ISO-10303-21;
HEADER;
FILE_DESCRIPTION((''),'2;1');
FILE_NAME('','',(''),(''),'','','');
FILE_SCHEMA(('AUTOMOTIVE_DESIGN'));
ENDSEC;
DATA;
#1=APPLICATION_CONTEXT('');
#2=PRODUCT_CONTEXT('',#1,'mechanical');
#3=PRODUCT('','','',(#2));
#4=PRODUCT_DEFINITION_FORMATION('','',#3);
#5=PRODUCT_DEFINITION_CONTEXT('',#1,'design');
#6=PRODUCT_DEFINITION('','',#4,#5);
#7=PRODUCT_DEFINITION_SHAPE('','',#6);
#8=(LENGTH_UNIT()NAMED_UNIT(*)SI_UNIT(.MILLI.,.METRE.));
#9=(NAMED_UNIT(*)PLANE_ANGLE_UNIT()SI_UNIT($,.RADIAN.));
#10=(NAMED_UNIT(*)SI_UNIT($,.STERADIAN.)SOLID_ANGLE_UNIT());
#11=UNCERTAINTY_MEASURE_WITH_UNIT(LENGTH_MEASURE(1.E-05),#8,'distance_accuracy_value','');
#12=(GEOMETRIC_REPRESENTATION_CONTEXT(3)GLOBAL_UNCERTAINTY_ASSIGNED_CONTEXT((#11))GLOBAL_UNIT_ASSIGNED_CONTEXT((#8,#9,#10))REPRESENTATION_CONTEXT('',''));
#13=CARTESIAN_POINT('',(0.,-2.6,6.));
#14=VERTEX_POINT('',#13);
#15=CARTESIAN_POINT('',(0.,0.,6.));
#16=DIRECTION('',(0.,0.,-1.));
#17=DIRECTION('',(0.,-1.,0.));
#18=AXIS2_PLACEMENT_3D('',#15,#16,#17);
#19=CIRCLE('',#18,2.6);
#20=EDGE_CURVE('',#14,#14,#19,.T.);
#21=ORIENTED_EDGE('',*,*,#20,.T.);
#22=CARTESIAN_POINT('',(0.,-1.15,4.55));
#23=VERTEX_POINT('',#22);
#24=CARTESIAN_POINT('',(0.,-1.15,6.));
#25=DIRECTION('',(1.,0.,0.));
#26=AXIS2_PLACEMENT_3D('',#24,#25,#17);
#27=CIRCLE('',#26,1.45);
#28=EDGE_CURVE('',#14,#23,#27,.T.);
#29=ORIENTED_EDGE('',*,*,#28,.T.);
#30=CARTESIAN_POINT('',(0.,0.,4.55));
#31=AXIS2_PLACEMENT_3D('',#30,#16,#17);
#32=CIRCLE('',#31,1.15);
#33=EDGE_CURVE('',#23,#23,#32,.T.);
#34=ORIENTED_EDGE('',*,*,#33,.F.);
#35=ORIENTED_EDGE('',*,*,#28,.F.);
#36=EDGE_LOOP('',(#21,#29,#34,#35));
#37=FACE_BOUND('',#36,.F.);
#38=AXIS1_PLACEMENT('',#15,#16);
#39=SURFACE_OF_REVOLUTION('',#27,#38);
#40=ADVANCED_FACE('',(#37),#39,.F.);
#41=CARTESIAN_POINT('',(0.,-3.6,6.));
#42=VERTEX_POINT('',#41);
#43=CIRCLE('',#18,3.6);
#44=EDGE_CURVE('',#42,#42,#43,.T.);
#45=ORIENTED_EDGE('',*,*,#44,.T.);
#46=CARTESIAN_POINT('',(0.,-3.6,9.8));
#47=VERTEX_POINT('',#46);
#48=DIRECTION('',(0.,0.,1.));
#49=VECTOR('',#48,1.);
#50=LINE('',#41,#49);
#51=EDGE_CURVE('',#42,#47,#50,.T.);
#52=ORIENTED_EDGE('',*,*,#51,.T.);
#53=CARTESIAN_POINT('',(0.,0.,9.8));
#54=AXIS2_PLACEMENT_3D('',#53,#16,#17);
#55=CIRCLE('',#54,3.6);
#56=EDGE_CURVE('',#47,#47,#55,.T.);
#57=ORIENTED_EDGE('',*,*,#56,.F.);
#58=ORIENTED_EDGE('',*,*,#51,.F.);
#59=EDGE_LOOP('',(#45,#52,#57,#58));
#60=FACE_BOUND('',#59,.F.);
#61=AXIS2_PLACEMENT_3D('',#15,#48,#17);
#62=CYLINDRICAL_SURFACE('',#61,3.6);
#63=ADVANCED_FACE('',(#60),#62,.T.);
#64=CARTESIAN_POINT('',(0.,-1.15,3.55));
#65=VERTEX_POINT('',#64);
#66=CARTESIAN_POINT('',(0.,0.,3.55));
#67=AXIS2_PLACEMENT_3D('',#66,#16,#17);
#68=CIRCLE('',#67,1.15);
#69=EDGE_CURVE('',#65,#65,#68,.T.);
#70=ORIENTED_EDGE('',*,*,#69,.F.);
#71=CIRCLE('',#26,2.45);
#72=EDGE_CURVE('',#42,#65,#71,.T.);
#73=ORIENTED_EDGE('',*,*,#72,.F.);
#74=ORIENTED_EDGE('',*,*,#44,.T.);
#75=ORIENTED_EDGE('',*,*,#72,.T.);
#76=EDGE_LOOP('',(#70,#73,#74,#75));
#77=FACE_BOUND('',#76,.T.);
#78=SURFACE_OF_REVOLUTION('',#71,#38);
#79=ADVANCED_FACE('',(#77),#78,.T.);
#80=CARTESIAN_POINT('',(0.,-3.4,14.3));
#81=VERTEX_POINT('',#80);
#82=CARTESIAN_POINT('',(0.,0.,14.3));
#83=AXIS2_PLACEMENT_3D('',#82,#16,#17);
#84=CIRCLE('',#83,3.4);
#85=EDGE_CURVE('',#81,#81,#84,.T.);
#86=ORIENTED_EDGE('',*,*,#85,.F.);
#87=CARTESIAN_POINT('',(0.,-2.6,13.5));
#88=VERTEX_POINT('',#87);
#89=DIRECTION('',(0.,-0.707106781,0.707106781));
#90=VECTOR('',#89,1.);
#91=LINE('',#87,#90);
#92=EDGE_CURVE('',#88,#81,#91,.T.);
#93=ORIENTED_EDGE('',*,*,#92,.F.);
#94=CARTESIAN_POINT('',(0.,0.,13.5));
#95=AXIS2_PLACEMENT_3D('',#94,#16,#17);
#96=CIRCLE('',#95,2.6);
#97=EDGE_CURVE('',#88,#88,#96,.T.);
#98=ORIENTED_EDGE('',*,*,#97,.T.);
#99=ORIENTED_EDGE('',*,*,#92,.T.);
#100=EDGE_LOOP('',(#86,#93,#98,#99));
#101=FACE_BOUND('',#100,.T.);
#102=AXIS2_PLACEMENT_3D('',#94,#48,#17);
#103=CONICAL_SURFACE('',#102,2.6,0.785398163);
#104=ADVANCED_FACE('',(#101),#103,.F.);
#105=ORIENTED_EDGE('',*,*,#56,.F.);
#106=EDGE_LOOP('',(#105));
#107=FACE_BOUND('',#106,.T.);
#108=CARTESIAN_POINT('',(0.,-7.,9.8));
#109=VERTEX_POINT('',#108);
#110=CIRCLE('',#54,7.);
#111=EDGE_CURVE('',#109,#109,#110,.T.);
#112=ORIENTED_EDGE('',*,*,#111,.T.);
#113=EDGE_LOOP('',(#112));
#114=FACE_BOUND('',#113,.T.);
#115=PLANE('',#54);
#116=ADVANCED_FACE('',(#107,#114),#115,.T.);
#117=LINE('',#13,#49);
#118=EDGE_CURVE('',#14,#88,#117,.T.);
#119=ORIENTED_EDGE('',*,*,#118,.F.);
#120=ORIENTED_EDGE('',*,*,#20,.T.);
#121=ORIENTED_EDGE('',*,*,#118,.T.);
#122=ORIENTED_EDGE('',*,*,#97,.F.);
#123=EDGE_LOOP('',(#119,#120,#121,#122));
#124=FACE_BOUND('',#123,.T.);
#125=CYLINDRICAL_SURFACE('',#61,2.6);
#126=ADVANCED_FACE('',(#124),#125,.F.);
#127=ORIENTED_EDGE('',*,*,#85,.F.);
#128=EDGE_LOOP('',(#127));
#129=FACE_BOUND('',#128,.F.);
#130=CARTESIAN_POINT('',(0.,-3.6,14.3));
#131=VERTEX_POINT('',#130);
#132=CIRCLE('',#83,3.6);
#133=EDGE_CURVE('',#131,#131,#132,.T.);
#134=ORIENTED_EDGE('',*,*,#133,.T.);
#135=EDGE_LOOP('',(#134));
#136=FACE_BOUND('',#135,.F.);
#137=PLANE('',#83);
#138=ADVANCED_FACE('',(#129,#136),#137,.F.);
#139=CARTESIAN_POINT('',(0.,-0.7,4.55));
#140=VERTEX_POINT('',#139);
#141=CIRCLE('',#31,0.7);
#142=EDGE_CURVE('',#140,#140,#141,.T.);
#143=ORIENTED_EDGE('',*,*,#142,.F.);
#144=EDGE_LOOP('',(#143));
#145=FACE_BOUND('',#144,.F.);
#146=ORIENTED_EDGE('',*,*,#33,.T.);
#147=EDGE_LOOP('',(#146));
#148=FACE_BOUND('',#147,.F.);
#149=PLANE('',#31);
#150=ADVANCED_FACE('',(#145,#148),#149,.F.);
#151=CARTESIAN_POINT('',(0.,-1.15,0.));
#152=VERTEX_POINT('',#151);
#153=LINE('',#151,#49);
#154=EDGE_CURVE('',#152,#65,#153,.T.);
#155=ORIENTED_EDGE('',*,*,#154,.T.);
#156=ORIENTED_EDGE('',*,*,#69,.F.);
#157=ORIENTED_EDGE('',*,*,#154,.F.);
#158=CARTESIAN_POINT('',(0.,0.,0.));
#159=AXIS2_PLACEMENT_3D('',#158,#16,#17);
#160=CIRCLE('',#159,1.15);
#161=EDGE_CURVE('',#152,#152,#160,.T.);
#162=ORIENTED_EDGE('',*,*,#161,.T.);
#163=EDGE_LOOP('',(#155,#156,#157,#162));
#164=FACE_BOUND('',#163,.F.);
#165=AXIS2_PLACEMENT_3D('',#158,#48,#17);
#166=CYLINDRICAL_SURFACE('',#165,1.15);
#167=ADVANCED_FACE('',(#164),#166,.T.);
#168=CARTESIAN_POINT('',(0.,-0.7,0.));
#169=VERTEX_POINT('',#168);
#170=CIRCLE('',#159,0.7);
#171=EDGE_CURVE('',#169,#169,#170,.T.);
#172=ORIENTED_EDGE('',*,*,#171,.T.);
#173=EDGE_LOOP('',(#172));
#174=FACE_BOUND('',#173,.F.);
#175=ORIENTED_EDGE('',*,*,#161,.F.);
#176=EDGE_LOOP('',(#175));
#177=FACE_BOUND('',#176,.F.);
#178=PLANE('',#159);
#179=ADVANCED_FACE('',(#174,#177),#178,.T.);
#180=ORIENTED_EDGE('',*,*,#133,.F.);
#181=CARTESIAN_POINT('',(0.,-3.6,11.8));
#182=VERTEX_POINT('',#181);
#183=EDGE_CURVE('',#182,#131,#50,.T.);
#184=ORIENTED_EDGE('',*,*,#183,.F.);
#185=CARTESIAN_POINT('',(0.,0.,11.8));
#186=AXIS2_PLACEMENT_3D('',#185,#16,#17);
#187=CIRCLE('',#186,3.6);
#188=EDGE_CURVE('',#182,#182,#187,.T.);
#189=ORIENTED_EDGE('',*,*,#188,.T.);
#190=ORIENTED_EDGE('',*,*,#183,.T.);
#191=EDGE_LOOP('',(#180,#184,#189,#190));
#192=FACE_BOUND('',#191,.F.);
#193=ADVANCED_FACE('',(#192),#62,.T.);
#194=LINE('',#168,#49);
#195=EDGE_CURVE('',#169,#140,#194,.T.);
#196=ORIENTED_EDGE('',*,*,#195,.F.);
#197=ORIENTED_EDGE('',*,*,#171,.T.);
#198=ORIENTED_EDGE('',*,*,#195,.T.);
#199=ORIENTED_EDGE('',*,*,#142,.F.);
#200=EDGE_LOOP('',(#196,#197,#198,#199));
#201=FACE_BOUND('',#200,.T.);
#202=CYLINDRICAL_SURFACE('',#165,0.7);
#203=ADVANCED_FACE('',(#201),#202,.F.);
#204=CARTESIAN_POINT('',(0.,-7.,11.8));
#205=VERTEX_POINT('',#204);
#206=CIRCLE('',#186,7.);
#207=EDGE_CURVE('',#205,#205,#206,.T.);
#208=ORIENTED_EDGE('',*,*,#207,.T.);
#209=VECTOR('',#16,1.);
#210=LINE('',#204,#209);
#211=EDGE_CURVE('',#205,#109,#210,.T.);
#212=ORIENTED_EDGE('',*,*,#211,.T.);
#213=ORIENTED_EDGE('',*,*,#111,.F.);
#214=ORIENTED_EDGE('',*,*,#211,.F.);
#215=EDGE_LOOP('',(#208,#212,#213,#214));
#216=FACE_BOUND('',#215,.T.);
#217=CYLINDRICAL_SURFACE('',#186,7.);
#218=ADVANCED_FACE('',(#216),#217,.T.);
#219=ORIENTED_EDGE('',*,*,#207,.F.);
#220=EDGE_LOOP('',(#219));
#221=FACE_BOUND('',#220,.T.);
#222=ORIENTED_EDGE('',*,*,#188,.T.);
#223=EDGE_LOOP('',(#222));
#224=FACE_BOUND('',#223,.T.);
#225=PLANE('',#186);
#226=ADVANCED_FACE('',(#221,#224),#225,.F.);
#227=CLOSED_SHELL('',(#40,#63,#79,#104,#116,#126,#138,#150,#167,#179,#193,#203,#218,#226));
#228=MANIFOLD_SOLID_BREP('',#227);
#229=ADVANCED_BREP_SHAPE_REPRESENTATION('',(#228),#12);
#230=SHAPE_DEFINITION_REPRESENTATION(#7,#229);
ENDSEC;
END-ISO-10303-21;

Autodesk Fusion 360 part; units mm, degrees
sketch "Nozzle side view" plane through (0, 0, 0) normal (1, 0, 0) x (0, 1, 0)
  line L0 (0, 0) -> (-1.15, 0)
  line L1 (-1.15, 0) -> (-1.15, 6)
  line L2 (-1.15, 6) -> (0, 6)
  line L3 (0, 6) -> (0, 0)
  line L4 (0, 6) -> (-3.6, 6)
  line L5 (-3.6, 6) -> (-3.6, 14.3)
  line L6 (-3.6, 14.3) -> (0, 14.3)
  line L7 (0, 14.3) -> (0, 6)
  line L8 (0, 14.3) -> (0, 11.8) construction
  line L9 (0, 11.8) -> (-7, 11.8)
  line L10 (-7, 11.8) -> (-7, 9.8)
  line L11 (-7, 9.8) -> (0, 9.8)
  line L12 (0, 9.8) -> (0, 11.8)
  line L13 (0, 0) -> (-0.7, 0)
  line L14 (-0.7, 0) -> (-0.7, 6)
  line L15 (-0.7, 6) -> (0, 6)
  line L16 (0, 6) -> (0, 0)
  line L17 (0, 6) -> (-2.6, 6)
  line L18 (-2.6, 6) -> (-2.6, 14.3)
  line L19 (-2.6, 14.3) -> (0, 14.3)
  line L20 (0, 14.3) -> (0, 6)
  arc A0 (-2.6, 6) -> (-1.15, 4.55) centre (-1.15, 6) ccw
  arc A1 (-3.6, 6) -> (-1.15, 3.55) centre (-1.15, 6) ccw
  line L21 (-1.15, 4.55) -> (0, 4.55)
  dimension "d9" = 1.15
  dimension "d10" = 6
  dimension "d11" = 3.6
  dimension "d12" = 8.3
  dimension "d13" = 2.5
  dimension "d15" = 7
  dimension "d16" = 2
  dimension "d18" = 0.7
  dimension "d19" = 6
  dimension "d20" = 2.6
  dimension "d21" = 8.3
  dimension "d23" = 1.15
revolve "Revolve3" add sketch "Nozzle side view" angle 360 about axis through (0, 0, 6) along (0, 0, -1) contours L0 L1 L14 L21 | L1 L4 A0 A1 | L4 L5 L11 L18 | L5 L9 L11 L18 | L5 L9 L10 L11 | L5 L6 L9 L18
chamfer "Chamfer1" distance 0.8 angle 45 1 edges at (-2.4241, -0.9402, 14.3)
equation "id_nozzle_top = 5.2 mm" comment "inner diameter of the hole that accepts the metal motor shaft stock: 5.2"
equation "od_nozzle_top = id_nozzle_top + 2 mm" comment "outer diameter of the hole that accepts the metal motor shaft stock: 6.1"
equation "d_ring_for_toolchange = 14 mm" comment "diameter of the large ring around the nozzle for a toolchange stock: 10.4"
equation "l_upper_portion = 8.3 mm" comment "length / height of the thicker part of the nozzle stock: 8.3"
equation "id_nozzle_bottom = 0.7 mm" comment "stock: 0.7"
equation "od_nozzle_bottom = id_nozzle_bottom + 1.6 mm" comment "stock: 1.4"
equation "l_lower_portion = 6 mm" comment "stock: 6"
equation "dist_changing_ring_from_top = 2.5 mm" comment "stock: 2.5"
equation "d9 = od_nozzle_bottom / 2"
equation "d10 = l_lower_portion"
equation "d11 = od_nozzle_top / 2"
equation "d12 = l_upper_portion"
equation "d13 = dist_changing_ring_from_top"
equation "thickness_changing_ring = 2 mm" comment "stock: 1"
equation "d15 = d_ring_for_toolchange / 2"
equation "d16 = thickness_changing_ring"
equation "d18 = id_nozzle_bottom"
equation "d19 = l_lower_portion"
equation "d20 = id_nozzle_top / 2"
equation "d21 = l_upper_portion"
equation "d23 = od_nozzle_bottom / 2"
equation "d25 = ( od_nozzle_top - id_nozzle_top ) / 2 - 0.2 mm"
